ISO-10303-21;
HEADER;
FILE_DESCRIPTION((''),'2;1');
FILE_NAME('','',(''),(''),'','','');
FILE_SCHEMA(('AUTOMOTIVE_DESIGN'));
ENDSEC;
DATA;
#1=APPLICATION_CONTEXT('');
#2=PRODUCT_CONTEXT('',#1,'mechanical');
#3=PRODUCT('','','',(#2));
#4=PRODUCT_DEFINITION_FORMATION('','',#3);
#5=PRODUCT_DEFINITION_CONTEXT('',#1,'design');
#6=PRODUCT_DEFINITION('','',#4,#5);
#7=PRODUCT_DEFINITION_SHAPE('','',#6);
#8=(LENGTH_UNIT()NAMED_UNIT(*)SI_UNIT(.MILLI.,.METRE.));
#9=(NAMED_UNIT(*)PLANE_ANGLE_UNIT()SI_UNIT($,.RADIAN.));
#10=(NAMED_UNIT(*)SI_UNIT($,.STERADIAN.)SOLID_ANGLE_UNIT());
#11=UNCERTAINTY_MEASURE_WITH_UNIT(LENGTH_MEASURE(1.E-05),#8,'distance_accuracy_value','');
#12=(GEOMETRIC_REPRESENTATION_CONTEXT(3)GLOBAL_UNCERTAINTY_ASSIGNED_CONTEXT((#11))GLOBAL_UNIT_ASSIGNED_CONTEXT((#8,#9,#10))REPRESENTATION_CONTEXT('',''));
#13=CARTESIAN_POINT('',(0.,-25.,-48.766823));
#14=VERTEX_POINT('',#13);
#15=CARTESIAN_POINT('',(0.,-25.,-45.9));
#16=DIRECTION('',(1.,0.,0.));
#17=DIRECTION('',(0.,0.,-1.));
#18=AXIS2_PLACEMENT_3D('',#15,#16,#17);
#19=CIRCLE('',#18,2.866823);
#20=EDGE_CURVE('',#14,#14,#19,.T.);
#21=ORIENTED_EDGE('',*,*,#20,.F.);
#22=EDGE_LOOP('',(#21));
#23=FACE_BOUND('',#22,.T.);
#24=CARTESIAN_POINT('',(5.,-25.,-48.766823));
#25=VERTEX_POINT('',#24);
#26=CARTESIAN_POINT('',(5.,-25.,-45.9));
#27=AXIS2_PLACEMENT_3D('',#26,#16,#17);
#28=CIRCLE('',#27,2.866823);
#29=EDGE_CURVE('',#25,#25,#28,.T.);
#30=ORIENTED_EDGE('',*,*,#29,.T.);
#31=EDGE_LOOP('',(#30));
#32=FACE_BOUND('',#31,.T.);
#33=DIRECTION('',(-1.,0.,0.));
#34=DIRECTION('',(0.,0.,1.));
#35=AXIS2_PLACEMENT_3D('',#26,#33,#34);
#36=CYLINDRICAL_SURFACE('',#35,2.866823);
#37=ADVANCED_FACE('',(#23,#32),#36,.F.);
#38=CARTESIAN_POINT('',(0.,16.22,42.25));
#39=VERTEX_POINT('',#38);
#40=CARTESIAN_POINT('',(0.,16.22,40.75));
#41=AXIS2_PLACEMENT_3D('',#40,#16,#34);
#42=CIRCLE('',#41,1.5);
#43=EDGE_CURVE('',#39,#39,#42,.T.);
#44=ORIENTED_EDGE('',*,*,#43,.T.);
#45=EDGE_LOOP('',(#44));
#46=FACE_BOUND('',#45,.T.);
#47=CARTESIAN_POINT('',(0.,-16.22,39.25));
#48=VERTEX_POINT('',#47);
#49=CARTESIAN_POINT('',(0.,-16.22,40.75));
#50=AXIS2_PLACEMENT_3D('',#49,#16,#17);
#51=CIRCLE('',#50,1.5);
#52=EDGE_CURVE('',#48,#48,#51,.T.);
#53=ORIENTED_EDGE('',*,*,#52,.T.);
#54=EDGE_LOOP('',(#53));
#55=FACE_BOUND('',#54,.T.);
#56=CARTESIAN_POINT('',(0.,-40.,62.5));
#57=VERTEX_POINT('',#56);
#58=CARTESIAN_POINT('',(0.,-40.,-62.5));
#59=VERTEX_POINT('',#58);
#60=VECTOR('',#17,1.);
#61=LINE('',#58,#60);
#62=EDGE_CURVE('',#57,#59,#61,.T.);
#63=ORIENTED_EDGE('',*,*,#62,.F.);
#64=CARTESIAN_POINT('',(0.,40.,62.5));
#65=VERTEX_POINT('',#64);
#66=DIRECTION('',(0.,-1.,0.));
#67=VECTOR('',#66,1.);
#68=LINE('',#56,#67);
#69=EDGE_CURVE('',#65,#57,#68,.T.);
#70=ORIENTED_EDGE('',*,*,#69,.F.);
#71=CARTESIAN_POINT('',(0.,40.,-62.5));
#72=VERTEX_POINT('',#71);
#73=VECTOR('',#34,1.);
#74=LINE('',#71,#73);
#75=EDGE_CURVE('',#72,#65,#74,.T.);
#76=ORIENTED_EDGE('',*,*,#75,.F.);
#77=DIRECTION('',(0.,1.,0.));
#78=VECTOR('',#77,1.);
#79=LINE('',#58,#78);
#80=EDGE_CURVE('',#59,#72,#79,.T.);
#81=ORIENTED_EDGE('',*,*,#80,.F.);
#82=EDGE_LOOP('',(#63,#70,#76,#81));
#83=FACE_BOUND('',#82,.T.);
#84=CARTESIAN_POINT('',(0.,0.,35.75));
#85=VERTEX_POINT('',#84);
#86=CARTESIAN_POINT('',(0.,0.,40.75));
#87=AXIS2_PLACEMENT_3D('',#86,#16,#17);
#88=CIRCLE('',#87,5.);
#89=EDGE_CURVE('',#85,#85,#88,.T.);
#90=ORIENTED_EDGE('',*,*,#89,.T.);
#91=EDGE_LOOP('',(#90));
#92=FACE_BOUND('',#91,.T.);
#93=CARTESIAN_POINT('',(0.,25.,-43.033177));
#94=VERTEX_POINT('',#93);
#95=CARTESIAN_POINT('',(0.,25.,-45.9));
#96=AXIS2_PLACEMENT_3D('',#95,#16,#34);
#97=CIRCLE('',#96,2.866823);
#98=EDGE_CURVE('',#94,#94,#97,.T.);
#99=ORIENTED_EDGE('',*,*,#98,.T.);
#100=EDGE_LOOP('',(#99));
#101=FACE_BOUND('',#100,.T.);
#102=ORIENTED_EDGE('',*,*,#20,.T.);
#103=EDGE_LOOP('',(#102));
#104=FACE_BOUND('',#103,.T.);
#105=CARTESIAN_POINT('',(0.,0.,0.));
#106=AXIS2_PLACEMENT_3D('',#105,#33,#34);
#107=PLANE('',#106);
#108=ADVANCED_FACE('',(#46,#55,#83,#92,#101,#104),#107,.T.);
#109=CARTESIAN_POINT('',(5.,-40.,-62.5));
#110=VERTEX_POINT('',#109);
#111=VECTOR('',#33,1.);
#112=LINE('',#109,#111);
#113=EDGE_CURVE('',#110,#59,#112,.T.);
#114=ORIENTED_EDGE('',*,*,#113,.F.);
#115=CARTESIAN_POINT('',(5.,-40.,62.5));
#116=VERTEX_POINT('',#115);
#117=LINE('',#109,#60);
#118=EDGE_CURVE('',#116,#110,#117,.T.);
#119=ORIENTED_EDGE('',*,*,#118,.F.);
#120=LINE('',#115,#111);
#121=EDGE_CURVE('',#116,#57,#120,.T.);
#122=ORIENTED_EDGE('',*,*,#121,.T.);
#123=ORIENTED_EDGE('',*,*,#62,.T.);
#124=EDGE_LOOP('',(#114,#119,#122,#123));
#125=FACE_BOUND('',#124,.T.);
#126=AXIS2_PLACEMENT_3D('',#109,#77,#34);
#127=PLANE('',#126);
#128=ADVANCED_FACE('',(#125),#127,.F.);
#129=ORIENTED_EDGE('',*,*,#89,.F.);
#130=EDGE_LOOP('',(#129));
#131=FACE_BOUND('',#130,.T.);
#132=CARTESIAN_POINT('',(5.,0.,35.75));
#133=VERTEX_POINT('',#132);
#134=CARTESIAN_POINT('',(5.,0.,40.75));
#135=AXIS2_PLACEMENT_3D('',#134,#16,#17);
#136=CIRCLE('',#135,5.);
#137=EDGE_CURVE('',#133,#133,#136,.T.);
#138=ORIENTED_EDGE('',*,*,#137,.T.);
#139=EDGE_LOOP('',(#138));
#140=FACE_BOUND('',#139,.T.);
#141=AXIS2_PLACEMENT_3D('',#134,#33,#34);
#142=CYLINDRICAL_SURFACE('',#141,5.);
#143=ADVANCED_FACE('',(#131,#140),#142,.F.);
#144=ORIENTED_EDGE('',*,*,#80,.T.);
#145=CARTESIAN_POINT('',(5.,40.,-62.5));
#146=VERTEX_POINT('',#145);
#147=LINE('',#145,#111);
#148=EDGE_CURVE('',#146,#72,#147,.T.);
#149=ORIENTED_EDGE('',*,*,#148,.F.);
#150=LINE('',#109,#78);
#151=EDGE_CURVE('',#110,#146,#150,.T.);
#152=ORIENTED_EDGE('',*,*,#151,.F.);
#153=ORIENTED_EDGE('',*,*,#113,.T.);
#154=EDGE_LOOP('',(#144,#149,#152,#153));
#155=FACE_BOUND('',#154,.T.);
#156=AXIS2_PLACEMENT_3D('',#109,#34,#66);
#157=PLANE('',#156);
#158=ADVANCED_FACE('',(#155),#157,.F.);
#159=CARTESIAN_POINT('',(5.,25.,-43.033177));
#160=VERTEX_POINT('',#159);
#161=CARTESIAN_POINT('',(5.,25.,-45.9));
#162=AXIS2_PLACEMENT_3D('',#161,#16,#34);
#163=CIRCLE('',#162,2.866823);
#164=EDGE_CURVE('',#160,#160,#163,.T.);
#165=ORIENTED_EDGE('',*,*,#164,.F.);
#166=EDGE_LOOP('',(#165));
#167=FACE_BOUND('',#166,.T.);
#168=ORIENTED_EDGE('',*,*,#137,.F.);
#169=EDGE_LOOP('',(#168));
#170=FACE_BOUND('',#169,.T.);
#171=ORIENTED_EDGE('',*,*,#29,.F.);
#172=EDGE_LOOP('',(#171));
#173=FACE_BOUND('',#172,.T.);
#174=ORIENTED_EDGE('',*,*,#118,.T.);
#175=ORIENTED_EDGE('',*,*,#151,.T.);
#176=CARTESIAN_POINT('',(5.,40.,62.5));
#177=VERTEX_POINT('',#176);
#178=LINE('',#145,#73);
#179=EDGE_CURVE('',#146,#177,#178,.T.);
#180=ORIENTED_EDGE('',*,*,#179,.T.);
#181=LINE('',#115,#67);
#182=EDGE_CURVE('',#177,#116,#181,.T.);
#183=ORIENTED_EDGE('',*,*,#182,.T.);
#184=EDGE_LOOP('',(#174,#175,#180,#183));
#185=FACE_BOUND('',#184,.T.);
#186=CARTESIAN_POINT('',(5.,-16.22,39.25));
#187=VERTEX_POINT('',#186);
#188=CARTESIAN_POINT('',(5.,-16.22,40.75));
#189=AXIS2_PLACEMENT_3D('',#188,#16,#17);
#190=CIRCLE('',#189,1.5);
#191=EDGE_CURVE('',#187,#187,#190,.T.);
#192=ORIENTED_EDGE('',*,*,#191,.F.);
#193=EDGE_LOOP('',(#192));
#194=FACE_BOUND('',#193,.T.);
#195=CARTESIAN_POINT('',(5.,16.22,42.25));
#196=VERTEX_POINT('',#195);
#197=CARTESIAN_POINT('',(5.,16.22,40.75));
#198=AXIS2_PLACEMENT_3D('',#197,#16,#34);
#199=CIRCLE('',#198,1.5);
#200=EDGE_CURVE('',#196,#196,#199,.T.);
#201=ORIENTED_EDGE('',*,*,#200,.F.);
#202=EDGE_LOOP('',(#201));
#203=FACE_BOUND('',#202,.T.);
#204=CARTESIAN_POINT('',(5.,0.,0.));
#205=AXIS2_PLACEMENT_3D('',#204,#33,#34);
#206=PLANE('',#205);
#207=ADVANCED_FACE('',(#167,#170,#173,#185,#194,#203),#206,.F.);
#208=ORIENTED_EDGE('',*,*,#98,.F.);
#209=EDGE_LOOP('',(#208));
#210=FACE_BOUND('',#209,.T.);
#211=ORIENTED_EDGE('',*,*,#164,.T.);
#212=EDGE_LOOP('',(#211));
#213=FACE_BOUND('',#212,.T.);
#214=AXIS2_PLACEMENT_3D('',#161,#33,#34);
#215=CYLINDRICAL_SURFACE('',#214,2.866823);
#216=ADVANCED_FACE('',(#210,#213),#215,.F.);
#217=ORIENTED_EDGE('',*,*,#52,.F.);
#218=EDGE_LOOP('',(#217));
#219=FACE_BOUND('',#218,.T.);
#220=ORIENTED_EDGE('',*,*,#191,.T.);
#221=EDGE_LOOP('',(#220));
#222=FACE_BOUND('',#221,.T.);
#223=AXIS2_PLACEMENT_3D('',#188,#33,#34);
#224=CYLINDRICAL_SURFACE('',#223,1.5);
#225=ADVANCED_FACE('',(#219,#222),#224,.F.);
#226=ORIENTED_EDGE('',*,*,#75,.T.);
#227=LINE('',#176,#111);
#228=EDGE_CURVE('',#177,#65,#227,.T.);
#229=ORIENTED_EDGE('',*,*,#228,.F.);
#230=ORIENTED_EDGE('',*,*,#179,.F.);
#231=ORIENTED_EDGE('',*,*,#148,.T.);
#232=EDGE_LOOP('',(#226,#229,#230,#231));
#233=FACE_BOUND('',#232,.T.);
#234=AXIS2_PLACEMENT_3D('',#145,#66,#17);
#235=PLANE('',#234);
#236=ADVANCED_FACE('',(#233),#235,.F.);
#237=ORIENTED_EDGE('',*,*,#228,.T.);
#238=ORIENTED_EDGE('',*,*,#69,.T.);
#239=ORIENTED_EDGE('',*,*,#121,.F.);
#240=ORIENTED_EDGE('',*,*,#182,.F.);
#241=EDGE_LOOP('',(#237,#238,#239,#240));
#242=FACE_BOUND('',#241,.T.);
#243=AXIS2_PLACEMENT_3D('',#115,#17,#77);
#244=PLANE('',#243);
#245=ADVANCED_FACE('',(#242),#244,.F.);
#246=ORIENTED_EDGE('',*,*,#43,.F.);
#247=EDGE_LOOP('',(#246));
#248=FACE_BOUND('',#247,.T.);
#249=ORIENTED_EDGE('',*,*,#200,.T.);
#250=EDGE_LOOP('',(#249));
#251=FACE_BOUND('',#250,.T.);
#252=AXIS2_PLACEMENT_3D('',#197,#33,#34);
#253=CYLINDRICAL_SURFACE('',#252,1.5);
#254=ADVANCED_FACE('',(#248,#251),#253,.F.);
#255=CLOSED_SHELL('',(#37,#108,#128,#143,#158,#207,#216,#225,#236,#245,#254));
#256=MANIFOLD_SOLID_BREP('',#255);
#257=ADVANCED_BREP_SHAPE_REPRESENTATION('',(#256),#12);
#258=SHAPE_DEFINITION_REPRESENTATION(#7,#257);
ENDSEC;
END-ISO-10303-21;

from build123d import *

# Parameters (mm, degrees)
SKETCH1_W           = 80
SKETCH1_H           = 125
SKETCH1_R           = 5
SKETCH1_R_2         = 1.5
SKETCH1_R_3         = 2.866822522
BOSS_EXTRUDE1_DEPTH = 5


with BuildPart() as part:
    # Sketch1 → Boss-Extrude1 (new body)
    with BuildSketch(Plane.YZ):
        Rectangle(SKETCH1_W, SKETCH1_H)
        with Locations((0, 40.75)):
            Circle(SKETCH1_R, mode=Mode.SUBTRACT)
        with Locations((-16.22, 40.75)):
            Circle(SKETCH1_R_2, mode=Mode.SUBTRACT)
        with Locations((16.22, 40.75)):
            Circle(SKETCH1_R_2, mode=Mode.SUBTRACT)
        with Locations((-25, -45.9)):
            Circle(SKETCH1_R_3, mode=Mode.SUBTRACT)
        with Locations((25, -45.9)):
            Circle(SKETCH1_R_3, mode=Mode.SUBTRACT)
    extrude(amount=BOSS_EXTRUDE1_DEPTH)


solid = part.part
